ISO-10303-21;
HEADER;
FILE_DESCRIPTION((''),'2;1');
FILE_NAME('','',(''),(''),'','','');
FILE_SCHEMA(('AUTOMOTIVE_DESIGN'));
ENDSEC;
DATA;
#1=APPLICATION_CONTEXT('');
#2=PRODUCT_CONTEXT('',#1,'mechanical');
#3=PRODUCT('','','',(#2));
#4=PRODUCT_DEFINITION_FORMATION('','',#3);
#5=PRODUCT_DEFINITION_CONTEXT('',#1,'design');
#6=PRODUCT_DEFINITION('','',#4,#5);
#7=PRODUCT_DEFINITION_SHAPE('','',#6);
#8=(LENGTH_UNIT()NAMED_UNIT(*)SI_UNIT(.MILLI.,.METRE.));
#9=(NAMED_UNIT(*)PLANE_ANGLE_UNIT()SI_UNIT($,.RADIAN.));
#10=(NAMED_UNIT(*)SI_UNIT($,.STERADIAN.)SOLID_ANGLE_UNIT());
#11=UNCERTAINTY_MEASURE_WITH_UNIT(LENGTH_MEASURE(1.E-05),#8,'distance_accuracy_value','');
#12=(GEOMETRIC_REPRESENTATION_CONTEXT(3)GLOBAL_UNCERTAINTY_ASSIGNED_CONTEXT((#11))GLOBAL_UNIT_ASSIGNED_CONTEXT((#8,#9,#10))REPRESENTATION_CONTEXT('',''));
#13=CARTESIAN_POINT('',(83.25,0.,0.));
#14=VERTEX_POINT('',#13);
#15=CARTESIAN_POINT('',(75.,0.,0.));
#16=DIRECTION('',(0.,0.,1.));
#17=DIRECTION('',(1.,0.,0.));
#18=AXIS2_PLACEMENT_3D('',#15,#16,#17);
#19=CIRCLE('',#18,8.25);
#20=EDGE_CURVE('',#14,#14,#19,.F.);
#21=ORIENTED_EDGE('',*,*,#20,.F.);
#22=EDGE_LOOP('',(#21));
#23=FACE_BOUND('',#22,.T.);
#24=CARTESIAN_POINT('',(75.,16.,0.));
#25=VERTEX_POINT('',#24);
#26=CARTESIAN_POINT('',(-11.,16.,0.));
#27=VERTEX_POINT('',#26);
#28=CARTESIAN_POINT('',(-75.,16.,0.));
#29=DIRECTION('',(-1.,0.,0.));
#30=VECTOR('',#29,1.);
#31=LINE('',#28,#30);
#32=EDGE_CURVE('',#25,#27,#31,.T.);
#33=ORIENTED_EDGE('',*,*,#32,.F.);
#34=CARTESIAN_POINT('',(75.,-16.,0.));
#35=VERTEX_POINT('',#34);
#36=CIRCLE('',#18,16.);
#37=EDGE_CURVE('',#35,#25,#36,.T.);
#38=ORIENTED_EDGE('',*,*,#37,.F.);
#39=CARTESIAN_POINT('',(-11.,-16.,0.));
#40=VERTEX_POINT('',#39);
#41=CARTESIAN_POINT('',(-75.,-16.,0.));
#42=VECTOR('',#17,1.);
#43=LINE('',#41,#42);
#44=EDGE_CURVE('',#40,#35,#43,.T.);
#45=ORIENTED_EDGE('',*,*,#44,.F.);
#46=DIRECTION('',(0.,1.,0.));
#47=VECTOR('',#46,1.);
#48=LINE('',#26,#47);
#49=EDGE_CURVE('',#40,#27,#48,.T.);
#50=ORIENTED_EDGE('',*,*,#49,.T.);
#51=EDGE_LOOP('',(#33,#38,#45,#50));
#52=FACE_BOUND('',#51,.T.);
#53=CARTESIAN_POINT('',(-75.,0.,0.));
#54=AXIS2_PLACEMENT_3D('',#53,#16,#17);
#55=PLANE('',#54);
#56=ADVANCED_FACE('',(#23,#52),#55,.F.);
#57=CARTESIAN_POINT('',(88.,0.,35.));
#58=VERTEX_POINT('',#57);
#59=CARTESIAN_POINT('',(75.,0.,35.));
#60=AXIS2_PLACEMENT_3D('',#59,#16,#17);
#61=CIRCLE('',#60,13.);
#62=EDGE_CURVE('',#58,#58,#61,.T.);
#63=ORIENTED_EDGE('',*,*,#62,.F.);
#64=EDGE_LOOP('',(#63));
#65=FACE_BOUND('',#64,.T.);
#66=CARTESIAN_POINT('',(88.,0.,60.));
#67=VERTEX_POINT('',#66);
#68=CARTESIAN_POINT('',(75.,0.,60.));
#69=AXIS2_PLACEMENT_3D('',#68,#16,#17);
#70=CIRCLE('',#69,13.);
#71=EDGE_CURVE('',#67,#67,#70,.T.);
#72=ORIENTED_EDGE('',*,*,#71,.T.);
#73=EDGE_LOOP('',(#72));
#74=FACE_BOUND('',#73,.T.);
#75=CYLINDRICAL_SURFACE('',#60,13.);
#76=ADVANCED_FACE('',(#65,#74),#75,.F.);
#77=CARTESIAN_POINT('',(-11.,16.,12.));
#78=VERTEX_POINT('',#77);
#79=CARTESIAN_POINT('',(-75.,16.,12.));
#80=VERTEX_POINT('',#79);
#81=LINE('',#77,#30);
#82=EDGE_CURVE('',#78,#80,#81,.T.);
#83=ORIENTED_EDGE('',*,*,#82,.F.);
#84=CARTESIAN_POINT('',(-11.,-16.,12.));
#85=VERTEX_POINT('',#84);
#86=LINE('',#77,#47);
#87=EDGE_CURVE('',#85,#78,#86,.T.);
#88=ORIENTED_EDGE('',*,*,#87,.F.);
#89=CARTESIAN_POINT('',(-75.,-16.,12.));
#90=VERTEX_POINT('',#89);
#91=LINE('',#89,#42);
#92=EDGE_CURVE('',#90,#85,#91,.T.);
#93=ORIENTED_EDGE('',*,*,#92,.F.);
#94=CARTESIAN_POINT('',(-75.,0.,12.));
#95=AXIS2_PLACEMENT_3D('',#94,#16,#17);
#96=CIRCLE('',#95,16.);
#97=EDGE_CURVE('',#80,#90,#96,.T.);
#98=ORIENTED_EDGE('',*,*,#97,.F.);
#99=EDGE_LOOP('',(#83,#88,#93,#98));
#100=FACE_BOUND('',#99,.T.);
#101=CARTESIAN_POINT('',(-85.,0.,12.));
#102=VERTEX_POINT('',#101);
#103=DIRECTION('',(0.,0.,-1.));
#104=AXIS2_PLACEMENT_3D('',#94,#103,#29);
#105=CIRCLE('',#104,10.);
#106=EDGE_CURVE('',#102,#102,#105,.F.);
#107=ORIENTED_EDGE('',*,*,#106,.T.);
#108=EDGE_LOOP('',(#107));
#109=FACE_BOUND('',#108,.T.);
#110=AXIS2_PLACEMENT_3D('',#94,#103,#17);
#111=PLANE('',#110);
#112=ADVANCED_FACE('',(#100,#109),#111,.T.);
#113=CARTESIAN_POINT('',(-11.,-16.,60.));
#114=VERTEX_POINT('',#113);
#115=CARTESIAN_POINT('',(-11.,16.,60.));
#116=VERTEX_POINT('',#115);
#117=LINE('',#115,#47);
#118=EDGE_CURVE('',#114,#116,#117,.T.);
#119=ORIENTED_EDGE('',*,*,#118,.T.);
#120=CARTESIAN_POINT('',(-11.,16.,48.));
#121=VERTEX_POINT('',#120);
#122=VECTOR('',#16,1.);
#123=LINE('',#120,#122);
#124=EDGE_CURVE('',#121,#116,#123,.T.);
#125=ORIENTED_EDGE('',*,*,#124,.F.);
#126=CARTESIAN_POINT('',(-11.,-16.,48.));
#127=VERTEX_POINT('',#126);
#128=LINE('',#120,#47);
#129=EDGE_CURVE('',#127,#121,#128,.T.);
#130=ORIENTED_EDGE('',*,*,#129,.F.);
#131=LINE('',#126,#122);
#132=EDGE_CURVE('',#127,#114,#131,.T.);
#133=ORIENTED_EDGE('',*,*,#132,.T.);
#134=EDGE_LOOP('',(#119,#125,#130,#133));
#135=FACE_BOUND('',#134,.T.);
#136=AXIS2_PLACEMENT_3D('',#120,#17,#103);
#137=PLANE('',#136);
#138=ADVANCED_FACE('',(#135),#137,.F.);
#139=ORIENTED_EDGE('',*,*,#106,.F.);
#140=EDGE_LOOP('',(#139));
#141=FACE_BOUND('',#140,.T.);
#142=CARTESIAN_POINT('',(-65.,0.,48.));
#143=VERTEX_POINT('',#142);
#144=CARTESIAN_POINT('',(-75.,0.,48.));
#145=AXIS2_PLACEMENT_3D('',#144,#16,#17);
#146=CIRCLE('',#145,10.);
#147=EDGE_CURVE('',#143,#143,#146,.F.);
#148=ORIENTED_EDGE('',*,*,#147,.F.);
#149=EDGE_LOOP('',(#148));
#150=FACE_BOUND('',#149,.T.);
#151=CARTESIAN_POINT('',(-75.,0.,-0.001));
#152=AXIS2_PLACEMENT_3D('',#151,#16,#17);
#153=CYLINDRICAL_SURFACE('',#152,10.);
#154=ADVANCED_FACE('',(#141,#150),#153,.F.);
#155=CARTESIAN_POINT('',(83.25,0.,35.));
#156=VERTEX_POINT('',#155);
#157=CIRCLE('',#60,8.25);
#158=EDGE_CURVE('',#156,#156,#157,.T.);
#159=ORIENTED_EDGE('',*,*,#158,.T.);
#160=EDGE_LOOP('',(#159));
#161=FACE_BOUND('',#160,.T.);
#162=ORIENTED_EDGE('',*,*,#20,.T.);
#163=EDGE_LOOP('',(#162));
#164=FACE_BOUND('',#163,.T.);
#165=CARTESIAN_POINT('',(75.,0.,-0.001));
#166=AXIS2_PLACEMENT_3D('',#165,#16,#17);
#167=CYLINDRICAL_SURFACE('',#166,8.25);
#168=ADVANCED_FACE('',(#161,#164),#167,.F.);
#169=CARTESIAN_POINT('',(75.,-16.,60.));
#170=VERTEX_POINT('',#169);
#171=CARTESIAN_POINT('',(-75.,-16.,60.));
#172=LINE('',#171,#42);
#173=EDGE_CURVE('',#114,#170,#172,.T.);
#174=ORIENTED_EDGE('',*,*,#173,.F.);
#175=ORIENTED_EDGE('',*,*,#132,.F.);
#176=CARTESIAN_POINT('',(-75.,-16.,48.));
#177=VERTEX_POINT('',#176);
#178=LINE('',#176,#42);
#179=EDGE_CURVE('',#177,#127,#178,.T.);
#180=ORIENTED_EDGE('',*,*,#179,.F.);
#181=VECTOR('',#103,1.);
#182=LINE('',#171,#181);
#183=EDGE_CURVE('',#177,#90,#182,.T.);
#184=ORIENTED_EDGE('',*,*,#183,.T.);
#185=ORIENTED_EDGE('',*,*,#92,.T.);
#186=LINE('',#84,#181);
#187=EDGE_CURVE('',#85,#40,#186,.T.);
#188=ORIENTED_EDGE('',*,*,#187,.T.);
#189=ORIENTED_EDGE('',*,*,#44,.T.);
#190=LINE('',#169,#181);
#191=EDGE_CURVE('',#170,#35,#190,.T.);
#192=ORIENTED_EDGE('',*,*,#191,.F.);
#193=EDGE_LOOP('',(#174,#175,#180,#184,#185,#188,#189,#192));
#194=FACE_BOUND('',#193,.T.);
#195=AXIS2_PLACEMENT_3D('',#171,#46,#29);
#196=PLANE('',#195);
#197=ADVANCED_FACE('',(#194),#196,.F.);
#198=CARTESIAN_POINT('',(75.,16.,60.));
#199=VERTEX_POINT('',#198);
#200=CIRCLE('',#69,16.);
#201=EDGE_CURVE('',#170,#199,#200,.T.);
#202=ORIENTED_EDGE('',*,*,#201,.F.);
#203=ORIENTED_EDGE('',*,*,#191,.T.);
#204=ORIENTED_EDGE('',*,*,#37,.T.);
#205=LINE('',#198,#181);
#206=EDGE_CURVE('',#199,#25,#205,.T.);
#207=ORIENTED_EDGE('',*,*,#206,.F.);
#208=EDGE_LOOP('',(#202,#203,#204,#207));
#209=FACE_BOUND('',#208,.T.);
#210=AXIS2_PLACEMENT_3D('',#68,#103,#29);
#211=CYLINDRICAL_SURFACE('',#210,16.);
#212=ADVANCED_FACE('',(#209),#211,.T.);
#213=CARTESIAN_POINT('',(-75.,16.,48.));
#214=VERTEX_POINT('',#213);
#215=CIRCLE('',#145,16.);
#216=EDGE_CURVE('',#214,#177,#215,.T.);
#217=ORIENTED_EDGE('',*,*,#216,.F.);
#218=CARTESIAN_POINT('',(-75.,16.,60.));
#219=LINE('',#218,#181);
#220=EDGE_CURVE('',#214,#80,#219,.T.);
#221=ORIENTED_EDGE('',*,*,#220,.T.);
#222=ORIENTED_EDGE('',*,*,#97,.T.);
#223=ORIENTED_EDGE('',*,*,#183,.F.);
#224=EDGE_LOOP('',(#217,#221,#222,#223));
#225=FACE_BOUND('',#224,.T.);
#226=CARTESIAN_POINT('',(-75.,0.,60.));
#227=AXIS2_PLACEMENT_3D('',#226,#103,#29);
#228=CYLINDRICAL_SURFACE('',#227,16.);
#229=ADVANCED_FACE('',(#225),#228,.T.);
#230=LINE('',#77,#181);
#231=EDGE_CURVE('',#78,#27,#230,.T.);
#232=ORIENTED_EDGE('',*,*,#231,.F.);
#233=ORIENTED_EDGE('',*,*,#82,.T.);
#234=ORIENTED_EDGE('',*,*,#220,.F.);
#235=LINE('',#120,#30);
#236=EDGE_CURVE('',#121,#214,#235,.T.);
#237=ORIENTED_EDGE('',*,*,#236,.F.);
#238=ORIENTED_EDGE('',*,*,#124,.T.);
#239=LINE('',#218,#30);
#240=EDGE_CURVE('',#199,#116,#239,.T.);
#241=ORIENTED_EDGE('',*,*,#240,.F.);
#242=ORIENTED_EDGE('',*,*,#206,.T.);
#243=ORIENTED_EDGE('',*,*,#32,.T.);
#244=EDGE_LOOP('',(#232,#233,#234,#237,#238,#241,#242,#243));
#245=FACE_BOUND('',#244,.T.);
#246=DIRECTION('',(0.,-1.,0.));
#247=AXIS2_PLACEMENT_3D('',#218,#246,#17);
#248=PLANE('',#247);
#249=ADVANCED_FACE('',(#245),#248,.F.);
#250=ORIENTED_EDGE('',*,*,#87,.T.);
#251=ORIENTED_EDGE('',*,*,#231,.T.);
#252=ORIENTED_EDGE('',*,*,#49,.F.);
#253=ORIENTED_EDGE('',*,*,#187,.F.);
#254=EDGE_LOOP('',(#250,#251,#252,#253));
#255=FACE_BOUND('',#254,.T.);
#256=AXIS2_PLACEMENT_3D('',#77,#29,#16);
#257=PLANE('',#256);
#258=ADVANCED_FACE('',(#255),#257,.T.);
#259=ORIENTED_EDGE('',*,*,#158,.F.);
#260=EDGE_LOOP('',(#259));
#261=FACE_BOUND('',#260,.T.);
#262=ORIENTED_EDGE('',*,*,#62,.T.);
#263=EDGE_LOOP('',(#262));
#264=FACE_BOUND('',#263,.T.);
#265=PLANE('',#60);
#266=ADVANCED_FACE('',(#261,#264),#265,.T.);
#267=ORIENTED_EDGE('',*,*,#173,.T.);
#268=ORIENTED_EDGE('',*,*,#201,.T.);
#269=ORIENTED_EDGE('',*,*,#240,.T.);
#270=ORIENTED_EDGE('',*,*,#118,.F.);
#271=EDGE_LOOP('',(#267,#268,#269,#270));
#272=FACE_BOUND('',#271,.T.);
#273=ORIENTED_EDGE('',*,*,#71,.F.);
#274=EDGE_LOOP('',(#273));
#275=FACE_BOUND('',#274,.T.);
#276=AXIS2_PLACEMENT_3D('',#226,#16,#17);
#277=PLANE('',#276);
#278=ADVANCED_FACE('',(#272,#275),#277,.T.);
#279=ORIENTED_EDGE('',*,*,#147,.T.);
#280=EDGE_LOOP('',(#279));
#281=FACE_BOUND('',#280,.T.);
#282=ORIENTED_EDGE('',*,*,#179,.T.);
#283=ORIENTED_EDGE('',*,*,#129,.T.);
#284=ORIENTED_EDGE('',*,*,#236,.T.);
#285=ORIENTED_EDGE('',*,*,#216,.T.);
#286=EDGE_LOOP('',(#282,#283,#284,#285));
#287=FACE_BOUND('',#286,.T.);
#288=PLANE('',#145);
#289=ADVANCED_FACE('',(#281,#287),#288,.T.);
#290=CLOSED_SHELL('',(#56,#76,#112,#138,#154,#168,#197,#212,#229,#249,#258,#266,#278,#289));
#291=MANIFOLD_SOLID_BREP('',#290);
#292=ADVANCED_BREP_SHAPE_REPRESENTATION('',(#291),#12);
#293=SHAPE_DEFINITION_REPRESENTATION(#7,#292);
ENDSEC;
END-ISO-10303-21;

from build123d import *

# Parameters (mm, degrees)
EXTRUDE_1_DEPTH     = 60
SKETCH_2_R          = 13
CUT_EXTRUDE_1_DEPTH = 25
CUT_EXTRUDE_3_REACH = 100.803
SKETCH_3_R          = 8.25
CUT_EXTRUDE_4_REACH = 112.168
SKETCH_4_R          = 10
CUT_EXTRUDE_START   = -12
CUT_EXTRUDE_5_DEPTH = 12


with BuildPart() as part:
    # 草图1 → 凸台-拉伸1 (new body)
    with BuildSketch(Plane.XY):
        with BuildLine():
            Line((-75, 16), (75, 16))
            ThreePointArc((75, 16), (91, 0), (75, -16))
            Line((75, -16), (-75, -16))
            ThreePointArc((-75, -16), (-91, 0), (-75, 16))
        make_face()
    extrude(amount=EXTRUDE_1_DEPTH)

    # 草图2 → 切除-拉伸1 (cut)
    with BuildSketch(Plane.XY.offset(60)):
        with Locations((75, 0)):
            Circle(SKETCH_2_R)
    extrude(amount=-CUT_EXTRUDE_1_DEPTH, mode=Mode.SUBTRACT)

    # 草图3 → 切除-拉伸3 (cut, up to next)
    with BuildSketch(Plane.XY.offset(35), mode=Mode.PRIVATE) as cut_extrude_3_sk1:
        with Locations((75, 0)):
            Circle(SKETCH_3_R)
    cut_extrude_3_tool1 = extrude(cut_extrude_3_sk1.sketch, amount=-CUT_EXTRUDE_3_REACH, mode=Mode.PRIVATE) & part.part
    add(cut_extrude_3_tool1.solids().sort_by_distance((75, 0, 35))[0], mode=Mode.SUBTRACT)

    # 草图4 → 切除-拉伸4 (cut, up to next)
    with BuildSketch(Plane.XY.offset(60), mode=Mode.PRIVATE) as cut_extrude_4_sk1:
        with Locations((-75, 0)):
            Circle(SKETCH_4_R)
    cut_extrude_4_tool1 = extrude(cut_extrude_4_sk1.sketch, amount=-CUT_EXTRUDE_4_REACH, mode=Mode.PRIVATE) & part.part
    add(cut_extrude_4_tool1.solids().sort_by_distance((-75, 0, 60))[0], mode=Mode.SUBTRACT)

    # 草图5 → 切除-拉伸5 (cut)
    with BuildSketch(Plane.XY.offset(60).offset(CUT_EXTRUDE_START)):
        with BuildLine():
            Line((-11, 16), (-11, -16))
            Line((-11, -16), (-75, -16))
            ThreePointArc((-75, -16), (-91, 0), (-75, 16))
            Line((-75, 16), (-11, 16))
        make_face()
    cut_extrude_5 = extrude(amount=CUT_EXTRUDE_5_DEPTH, mode=Mode.SUBTRACT)

    # 镜向1: 切除-拉伸5 across plane
    add(cut_extrude_5.mirror(Plane.XY.offset(30)), mode=Mode.SUBTRACT)


solid = part.part
